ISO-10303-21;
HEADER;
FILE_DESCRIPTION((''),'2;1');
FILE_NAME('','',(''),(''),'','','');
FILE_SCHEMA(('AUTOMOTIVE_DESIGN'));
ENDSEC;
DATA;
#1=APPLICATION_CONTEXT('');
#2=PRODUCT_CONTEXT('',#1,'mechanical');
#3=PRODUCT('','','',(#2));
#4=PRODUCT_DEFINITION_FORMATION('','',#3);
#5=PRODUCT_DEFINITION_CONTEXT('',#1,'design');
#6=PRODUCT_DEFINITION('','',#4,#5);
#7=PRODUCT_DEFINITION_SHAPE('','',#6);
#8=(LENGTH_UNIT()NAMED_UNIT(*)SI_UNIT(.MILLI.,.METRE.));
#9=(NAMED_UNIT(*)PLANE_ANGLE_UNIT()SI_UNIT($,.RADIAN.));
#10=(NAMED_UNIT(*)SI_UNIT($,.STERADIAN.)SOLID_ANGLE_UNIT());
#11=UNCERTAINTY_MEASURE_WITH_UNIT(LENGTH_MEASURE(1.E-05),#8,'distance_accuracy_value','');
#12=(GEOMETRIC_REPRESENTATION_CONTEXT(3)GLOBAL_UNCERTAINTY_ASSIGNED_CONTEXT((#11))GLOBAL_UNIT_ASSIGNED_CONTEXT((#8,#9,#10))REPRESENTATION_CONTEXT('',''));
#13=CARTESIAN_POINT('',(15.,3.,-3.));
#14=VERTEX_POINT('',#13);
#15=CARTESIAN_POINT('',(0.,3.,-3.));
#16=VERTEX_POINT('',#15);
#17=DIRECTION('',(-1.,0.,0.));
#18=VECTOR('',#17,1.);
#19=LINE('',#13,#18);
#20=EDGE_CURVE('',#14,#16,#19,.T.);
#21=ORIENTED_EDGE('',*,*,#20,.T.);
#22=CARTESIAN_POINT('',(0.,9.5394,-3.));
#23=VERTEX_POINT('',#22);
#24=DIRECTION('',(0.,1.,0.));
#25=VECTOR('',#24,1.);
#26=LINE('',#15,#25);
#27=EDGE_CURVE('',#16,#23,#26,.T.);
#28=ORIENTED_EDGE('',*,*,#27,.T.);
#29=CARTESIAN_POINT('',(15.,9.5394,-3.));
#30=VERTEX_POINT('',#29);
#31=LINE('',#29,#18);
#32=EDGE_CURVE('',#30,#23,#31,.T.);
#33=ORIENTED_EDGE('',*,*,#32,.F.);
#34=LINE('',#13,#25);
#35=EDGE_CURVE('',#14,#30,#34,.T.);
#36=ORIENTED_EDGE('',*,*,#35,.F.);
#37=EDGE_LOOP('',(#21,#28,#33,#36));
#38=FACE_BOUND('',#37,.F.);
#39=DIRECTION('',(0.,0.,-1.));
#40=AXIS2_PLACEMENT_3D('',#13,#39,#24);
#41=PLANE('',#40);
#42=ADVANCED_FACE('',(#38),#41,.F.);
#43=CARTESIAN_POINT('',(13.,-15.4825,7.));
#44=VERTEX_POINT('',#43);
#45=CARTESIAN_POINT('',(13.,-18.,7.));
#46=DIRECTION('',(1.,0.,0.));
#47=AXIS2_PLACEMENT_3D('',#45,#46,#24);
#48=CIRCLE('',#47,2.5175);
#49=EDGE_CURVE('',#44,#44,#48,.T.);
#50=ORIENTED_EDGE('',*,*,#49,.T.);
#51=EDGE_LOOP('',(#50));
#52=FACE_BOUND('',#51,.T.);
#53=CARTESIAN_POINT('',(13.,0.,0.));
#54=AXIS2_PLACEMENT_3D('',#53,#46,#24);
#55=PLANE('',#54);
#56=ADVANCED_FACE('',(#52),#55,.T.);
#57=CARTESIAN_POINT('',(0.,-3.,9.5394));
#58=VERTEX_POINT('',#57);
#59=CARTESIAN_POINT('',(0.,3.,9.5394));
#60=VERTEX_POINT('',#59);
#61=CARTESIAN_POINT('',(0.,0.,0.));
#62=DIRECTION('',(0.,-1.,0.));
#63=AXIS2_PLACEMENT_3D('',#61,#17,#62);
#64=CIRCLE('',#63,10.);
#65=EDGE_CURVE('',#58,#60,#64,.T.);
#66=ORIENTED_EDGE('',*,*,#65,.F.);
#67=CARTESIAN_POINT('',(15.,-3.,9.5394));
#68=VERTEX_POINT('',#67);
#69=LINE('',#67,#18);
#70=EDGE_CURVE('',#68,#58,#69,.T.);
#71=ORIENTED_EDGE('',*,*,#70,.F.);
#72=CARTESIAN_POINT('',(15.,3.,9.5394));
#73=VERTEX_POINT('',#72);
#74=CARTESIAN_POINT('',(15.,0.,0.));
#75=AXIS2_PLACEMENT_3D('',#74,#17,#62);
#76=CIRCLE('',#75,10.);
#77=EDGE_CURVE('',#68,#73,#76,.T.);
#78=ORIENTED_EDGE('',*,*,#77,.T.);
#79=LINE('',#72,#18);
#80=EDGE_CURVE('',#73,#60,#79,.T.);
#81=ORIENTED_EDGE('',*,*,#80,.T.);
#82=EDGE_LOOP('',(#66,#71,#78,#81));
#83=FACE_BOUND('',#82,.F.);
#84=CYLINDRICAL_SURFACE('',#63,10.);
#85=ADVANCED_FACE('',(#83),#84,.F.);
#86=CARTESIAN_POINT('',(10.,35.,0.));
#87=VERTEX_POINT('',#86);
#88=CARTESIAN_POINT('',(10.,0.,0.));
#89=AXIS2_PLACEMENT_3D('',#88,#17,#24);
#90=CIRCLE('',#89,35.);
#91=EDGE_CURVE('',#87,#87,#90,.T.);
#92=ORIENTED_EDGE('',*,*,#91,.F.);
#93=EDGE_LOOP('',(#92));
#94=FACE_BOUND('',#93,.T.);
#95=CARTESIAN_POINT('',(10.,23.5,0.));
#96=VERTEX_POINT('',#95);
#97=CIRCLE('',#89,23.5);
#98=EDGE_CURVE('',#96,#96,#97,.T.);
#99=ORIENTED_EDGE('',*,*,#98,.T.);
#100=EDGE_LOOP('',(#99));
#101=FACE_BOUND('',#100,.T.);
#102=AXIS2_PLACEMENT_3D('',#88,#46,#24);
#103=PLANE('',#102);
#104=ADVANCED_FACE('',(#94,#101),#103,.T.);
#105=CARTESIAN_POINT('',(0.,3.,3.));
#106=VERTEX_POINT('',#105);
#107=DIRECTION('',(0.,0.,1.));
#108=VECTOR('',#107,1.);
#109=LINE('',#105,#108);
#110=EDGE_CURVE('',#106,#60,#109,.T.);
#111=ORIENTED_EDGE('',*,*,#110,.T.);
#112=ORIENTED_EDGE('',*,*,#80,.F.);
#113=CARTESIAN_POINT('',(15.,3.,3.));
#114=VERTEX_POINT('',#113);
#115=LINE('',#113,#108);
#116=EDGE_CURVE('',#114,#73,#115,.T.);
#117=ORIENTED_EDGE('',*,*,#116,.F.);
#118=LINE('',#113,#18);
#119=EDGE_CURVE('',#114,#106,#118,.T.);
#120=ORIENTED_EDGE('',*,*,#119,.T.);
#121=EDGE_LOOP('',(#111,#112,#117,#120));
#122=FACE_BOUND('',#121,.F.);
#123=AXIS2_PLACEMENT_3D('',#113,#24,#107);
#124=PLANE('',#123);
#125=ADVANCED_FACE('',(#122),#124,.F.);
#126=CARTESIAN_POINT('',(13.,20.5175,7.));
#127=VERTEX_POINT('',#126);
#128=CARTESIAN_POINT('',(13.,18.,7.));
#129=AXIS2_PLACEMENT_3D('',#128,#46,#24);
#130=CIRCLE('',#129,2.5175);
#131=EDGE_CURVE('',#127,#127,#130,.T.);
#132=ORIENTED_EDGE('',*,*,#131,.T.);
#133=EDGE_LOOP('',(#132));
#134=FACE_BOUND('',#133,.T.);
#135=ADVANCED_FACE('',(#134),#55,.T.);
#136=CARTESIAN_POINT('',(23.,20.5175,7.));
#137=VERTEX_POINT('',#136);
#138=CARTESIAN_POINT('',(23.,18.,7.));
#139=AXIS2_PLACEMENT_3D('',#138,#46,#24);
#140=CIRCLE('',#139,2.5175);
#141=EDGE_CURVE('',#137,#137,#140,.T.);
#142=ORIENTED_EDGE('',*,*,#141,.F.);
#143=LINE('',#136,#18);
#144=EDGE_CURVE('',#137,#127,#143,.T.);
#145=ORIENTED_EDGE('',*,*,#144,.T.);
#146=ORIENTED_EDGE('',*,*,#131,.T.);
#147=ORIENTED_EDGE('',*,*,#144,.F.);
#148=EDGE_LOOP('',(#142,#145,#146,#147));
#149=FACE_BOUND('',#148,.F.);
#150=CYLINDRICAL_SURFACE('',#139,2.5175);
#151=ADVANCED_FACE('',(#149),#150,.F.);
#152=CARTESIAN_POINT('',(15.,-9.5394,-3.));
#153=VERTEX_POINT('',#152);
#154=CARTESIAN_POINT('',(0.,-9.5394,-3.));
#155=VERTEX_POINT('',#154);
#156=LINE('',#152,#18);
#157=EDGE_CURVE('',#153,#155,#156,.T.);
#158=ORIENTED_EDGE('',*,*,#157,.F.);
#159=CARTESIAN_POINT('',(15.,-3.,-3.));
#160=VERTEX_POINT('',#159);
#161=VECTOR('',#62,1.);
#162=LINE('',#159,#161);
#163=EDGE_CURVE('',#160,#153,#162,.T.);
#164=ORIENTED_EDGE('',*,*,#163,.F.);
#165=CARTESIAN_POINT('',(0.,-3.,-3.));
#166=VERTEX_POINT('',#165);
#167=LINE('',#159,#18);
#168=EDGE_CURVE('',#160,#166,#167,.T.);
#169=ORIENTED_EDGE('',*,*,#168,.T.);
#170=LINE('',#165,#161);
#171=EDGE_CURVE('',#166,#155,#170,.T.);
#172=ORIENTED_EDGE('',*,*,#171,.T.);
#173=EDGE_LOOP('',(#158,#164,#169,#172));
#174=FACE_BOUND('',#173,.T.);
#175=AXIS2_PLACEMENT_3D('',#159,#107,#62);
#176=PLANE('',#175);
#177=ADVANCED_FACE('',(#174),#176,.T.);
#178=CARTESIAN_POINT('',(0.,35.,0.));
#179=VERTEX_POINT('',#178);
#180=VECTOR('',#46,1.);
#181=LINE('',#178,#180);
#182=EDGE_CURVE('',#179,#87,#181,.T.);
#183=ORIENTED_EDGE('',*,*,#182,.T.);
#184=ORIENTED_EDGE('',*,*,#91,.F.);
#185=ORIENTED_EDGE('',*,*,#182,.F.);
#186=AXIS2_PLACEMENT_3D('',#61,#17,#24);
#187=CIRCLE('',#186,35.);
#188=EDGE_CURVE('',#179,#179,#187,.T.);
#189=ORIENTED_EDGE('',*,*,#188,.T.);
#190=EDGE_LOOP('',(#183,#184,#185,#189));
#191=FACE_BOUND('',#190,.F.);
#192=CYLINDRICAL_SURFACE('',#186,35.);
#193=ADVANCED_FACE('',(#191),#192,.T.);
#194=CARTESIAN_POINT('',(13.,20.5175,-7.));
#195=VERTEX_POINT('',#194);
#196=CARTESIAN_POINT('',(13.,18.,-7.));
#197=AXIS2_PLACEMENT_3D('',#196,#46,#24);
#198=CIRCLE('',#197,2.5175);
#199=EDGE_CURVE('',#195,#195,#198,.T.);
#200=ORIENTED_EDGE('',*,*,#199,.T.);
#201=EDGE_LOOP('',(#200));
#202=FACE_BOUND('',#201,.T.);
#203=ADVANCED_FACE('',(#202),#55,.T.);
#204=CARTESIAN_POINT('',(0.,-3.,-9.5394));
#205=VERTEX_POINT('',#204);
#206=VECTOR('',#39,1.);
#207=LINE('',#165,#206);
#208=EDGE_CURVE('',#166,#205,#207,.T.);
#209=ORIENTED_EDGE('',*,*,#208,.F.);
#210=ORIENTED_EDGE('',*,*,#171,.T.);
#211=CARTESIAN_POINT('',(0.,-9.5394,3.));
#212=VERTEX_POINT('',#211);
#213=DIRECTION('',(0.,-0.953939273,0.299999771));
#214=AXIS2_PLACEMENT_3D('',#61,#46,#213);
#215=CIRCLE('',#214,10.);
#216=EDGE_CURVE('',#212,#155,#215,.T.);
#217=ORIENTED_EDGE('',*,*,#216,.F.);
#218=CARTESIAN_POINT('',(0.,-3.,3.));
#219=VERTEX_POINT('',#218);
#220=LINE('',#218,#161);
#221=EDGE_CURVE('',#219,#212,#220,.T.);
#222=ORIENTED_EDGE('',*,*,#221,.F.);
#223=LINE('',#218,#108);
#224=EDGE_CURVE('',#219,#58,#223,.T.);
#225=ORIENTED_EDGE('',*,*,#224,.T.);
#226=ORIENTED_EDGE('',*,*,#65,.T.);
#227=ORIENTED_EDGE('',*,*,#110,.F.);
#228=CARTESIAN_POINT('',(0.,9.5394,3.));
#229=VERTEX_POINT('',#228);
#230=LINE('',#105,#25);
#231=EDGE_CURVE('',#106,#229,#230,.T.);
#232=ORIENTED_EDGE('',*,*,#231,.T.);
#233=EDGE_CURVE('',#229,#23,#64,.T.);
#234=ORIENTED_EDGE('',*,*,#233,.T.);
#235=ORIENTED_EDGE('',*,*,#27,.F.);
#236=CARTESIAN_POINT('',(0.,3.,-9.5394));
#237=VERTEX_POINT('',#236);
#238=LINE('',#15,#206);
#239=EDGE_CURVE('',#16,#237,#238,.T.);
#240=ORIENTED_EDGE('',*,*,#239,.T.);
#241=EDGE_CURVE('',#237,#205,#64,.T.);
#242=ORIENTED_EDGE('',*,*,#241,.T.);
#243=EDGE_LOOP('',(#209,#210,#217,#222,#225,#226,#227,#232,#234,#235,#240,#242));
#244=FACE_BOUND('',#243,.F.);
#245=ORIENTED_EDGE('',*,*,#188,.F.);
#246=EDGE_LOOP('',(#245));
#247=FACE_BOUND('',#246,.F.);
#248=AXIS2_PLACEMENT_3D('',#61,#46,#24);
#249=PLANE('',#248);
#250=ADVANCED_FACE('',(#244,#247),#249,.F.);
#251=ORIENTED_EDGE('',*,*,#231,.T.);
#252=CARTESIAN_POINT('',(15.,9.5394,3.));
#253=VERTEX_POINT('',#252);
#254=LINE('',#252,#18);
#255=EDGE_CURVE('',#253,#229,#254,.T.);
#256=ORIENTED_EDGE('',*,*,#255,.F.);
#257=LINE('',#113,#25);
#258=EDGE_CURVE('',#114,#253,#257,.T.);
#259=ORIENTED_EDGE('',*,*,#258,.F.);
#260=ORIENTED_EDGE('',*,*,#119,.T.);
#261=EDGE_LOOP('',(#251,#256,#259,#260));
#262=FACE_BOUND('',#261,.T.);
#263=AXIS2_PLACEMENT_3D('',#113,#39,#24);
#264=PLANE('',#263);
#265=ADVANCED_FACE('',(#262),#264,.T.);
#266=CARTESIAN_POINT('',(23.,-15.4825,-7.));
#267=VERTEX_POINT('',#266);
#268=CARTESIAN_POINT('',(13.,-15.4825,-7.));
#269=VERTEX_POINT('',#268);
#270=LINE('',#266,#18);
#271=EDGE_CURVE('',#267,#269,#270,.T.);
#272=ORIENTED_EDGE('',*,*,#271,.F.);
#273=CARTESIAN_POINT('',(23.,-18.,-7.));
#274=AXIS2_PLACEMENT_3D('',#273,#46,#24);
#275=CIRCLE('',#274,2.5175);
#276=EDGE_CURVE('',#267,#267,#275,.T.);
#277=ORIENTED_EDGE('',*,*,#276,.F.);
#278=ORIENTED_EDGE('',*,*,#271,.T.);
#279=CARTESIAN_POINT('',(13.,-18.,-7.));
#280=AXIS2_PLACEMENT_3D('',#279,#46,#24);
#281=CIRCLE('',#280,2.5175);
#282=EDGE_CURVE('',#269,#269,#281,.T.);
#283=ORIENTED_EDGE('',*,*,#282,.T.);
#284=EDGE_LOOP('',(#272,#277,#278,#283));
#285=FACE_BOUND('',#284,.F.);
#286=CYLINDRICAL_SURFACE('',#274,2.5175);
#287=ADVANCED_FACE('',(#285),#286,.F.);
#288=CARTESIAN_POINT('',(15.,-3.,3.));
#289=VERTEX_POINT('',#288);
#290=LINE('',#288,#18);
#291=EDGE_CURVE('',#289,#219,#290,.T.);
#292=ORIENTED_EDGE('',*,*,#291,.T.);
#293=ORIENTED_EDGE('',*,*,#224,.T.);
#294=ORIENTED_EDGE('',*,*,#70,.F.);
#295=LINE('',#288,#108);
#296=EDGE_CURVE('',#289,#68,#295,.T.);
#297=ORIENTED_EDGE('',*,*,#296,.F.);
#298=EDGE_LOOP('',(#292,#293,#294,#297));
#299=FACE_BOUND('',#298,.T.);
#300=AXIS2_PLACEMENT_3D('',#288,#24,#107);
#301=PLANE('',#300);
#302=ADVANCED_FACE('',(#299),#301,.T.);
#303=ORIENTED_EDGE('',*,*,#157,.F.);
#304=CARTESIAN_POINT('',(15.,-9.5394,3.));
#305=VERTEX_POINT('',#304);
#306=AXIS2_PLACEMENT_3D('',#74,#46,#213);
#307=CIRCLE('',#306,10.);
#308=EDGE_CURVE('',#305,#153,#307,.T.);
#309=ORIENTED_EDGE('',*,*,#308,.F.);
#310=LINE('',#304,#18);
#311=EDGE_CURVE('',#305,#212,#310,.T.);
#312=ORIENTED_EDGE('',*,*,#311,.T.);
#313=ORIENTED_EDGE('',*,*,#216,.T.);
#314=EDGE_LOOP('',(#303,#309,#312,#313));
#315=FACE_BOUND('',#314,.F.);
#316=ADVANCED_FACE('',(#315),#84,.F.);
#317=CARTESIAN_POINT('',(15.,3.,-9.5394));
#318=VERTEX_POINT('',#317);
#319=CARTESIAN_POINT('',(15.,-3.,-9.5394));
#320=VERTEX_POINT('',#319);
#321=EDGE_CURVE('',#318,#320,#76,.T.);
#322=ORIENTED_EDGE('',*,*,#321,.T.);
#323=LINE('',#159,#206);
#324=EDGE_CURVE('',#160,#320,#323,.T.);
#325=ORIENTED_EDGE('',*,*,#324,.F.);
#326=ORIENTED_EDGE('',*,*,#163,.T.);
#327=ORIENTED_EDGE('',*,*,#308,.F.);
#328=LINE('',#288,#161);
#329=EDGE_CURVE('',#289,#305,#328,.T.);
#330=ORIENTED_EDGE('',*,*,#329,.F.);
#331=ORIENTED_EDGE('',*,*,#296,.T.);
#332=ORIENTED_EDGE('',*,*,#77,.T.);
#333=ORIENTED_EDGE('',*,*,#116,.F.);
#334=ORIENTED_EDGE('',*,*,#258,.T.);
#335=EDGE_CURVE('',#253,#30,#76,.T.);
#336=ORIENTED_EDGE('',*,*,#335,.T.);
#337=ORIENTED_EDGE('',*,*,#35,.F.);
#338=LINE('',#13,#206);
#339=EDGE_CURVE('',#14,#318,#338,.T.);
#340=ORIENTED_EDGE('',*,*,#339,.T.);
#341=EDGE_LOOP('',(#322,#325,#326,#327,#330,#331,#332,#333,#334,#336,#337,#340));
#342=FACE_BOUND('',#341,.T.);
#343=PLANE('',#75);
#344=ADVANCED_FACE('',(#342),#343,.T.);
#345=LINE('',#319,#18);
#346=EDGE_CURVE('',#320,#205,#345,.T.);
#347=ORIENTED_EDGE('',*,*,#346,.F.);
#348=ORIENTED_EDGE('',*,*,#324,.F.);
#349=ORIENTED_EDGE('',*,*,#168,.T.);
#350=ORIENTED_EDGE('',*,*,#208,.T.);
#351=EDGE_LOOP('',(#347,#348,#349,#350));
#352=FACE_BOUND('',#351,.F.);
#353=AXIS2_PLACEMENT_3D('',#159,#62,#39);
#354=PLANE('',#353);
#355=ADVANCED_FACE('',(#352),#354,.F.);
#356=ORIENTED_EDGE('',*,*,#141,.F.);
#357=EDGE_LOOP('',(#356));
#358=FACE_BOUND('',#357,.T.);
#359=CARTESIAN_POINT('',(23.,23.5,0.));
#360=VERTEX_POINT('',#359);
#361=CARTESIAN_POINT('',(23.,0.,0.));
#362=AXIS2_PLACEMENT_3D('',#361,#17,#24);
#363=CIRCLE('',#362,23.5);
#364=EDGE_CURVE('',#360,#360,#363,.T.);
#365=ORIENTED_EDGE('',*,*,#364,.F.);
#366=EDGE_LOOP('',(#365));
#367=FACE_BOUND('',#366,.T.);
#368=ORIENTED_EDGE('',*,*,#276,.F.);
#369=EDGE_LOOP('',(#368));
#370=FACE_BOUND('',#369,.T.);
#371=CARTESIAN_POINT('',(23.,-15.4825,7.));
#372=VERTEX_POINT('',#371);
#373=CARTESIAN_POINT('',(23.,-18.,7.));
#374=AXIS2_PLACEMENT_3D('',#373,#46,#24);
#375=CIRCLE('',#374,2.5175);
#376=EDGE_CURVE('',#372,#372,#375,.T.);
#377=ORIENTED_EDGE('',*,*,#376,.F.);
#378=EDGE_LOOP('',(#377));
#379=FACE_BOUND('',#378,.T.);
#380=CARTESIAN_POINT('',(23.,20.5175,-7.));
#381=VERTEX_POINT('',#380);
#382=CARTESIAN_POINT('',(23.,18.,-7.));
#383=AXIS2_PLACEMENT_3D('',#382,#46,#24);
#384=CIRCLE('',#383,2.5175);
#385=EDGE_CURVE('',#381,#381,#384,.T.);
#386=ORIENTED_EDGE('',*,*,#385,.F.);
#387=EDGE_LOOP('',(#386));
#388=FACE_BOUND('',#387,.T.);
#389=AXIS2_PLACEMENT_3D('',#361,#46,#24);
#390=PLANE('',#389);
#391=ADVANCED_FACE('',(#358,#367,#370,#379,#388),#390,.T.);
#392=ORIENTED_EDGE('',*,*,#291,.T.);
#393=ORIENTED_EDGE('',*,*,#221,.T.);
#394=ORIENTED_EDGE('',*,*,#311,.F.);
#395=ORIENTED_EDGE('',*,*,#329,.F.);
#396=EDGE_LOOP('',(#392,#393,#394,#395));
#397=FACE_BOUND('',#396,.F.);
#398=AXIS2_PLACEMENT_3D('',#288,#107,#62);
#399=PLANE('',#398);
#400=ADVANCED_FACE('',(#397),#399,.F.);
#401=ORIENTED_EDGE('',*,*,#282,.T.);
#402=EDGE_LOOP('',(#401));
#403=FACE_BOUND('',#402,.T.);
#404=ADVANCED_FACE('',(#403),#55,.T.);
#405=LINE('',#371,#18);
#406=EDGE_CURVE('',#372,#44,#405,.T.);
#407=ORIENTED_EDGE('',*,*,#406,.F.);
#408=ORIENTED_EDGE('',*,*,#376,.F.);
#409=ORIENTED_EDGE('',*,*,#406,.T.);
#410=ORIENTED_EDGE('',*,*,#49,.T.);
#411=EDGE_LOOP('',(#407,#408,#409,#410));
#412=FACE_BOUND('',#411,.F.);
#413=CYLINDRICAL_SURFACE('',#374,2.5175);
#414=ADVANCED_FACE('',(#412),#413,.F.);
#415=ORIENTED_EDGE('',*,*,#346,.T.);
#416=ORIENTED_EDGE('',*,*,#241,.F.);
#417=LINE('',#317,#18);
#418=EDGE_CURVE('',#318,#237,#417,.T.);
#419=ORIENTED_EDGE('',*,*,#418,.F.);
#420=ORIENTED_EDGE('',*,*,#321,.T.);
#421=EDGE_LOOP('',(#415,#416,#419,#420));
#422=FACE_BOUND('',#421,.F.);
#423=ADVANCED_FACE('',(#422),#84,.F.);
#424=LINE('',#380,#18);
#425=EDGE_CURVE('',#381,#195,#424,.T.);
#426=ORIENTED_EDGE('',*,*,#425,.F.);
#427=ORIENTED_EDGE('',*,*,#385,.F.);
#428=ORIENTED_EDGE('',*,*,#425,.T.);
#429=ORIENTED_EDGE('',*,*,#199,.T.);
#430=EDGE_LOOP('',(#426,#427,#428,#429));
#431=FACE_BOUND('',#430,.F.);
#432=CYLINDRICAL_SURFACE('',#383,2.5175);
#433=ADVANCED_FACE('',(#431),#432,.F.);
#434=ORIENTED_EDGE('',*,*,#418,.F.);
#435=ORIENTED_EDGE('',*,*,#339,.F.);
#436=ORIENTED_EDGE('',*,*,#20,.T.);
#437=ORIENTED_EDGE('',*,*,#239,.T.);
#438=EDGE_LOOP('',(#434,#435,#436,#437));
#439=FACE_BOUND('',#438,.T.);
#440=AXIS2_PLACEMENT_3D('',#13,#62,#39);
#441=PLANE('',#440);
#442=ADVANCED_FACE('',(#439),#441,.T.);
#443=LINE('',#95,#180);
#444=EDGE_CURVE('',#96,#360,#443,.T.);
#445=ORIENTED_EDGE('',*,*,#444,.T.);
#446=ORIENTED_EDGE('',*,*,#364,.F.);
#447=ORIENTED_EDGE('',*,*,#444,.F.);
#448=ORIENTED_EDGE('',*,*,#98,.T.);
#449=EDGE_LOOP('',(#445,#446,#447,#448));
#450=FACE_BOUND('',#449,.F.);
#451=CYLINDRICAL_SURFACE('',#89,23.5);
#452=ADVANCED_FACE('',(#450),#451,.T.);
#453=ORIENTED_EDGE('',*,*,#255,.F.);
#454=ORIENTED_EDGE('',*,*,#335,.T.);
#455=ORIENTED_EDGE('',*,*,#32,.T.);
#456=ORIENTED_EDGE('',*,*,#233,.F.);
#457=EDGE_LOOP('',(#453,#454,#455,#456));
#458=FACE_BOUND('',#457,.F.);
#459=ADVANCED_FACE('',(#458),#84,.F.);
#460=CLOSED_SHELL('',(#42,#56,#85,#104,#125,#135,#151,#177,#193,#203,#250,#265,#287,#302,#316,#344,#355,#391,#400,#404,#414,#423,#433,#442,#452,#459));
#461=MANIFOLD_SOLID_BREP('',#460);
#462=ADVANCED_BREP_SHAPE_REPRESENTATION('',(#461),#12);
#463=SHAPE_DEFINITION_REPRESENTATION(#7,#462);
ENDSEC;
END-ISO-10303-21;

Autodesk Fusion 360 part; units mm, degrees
sketch "Sketch1" plane through (0, 0, 0) normal (1, 0, 0) x (0, 1, 0)
  circle A0 centre (0, 0) radius 35
  dimension "d1" = 70
extrude "Extrude1" add sketch "Sketch1" along normal blind 10 in component "Encaixe"
sketch "Sketch3" plane through (10, 0, 0) normal (1, 0, 0) x (0, 1, 0)
  circle A0 centre (0, 0) radius 35
  circle A1 centre (0, 0) radius 23.5
  dimension "d9" = 47
extrude "Extrude2" add sketch "Sketch3" along normal blind 13 contours A1 in component "Encaixe"
ref_plane "WorkPlane1" through (0, 13, 0) normal (0, 1, 0) x (0, 0, 1)
sketch "Sketch4" plane through (0, 13, 0) normal (0, 1, 0) x (1, 0, 0)
  line L0 (23, 0) -> (23, -35)
  line L1 (23, -35) -> (23, -45)
  line L2 (23, -35) -> (30.3921, -43.8095)
  line L3 (30.3921, -43.8095) -> (35.3921, -43.8095)
  line L4 (23, 0) -> (57, 0)
  line L5 (35.3921, -43.8095) -> (52.4338, -23.5)
  line L6 (35.3921, -43.8095) -> (44, -43.8095)
  line L7 (52.4338, -23.5) -> (52.4338, 0)
  line L8 (52.4338, 23.5) -> (52.4338, 0)
  line L9 (35.3921, 43.8095) -> (52.4338, 23.5)
  line L10 (30.3921, 43.8095) -> (35.3921, 43.8095)
  line L11 (23, 35) -> (30.3921, 43.8095)
  line L12 (23, 0) -> (23, 35)
  dimension "d13" = 35
  dimension "d14" = 10
  dimension "d15" = 11.5
  dimension "d16" = 40
  dimension "d17" = 5
  dimension "d18" = 50
sketch "Sketch10" plane through (23, 0, 0) normal (1, 0, 0) x (0, 1, 0)
  circle A0 centre (0, 0) radius 23.5
  line L0 (0, 0) -> (18.3161, -14.7232) construction
  line L1 (0, 0) -> (18.3161, 14.7232) construction
  line L2 (0, 0) -> (-18.3161, 14.7232) construction
  line L3 (0, 0) -> (-18.3161, -14.7232) construction
  arc A1 (18.3161, -14.7232) -> (18.3161, 14.7232) centre (0, 0) ccw construction
  arc A2 (-18.3161, 14.7232) -> (-18.3161, -14.7232) centre (0, 0) ccw construction
  line L4 (0, 0) -> (-23.5, 0) construction
  line L5 (-23.5, 0) -> (-18, 0)
  line L6 (-18, 0) -> (-18, 7) construction
  circle A3 centre (-18, 7) radius 3
  circle A4 centre (-18, -7) radius 3
  line L7 (0, 0) -> (0, 10) construction
  circle A5 centre (18, 7) radius 3
  circle A6 centre (18, -7) radius 3
  dimension "d43" = 102.413
  dimension "d45" = 6
extrude "Extrude8" cut sketch "Sketch10" against normal blind 10 contours A3 | A4 | A5 | A6 in component "Encaixe"
thread "Thread1" "ISO Metric profile 6.0 M6x1 6H" major diameter 6.147 minor diameter 5.035 pitch 1 angle 60 resizes the face on face at (16.3333, -15.0037, 6.8505) in component "Encaixe"
thread "Thread2" "ISO Metric profile 6.0 M6x1 6H" major diameter 6.147 minor diameter 5.035 pitch 1 angle 60 resizes the face on face at (16.3333, 20.9963, 6.8505) in component "Encaixe"
thread "Thread3" "ISO Metric profile 6.0 M6x1 6H" major diameter 6.147 minor diameter 5.035 pitch 1 angle 60 resizes the face on face at (16.3333, -15.0037, -7.1495) in component "Encaixe"
thread "Thread4" "ISO Metric profile 6.0 M6x1 6H" major diameter 6.147 minor diameter 5.035 pitch 1 angle 60 resizes the face on face at (16.3333, 20.9963, -7.1495) in component "Encaixe"
sketch "Sketch11" plane through (0, 0, 0) normal (-1, 0, 0) x (0, -1, 0)
  circle A0 centre (0, 0) radius 35
  circle A1 centre (0, 0) radius 10
  dimension "d48" = 20
extrude "Extrude9" cut sketch "Sketch11" against normal blind 10 contours A1 in component "Encaixe"
extrude "Extrude10" cut 1 faces at (10, -3.1852, -0.9825) along direction (1, 0, 0) blind 5 in component "Encaixe"
sketch "Sketch12" plane through (15, 0, 0) normal (-1, 0, 0) x (0, -1, 0)
  circle A0 centre (0, 0) radius 10
  line L0 (3, 3) -> (3, 9.5394)
  line L1 (-3, 3) -> (-3, 9.5394)
  line L2 (-3, -3) -> (-9.5394, -3)
  line L3 (-3, 3) -> (-9.5394, 3)
  line L4 (3, -3) -> (3, -9.5394)
  line L5 (-3, -3) -> (-3, -9.5394)
  line L6 (3, 3) -> (9.5394, 3)
  line L7 (3, -3) -> (9.5394, -3)
extrude "Extrude11" add sketch "Sketch12" along normal blind 15 contours A0 L0 L6 | A0 L4 L7 | A0 L1 L3 | A0 L2 L5 in component "Encaixe"
component "Encaixe" placed x (1, 0, 0) y (0, 1, 0) z (0, 0, 1) at (0, 0, 0)
